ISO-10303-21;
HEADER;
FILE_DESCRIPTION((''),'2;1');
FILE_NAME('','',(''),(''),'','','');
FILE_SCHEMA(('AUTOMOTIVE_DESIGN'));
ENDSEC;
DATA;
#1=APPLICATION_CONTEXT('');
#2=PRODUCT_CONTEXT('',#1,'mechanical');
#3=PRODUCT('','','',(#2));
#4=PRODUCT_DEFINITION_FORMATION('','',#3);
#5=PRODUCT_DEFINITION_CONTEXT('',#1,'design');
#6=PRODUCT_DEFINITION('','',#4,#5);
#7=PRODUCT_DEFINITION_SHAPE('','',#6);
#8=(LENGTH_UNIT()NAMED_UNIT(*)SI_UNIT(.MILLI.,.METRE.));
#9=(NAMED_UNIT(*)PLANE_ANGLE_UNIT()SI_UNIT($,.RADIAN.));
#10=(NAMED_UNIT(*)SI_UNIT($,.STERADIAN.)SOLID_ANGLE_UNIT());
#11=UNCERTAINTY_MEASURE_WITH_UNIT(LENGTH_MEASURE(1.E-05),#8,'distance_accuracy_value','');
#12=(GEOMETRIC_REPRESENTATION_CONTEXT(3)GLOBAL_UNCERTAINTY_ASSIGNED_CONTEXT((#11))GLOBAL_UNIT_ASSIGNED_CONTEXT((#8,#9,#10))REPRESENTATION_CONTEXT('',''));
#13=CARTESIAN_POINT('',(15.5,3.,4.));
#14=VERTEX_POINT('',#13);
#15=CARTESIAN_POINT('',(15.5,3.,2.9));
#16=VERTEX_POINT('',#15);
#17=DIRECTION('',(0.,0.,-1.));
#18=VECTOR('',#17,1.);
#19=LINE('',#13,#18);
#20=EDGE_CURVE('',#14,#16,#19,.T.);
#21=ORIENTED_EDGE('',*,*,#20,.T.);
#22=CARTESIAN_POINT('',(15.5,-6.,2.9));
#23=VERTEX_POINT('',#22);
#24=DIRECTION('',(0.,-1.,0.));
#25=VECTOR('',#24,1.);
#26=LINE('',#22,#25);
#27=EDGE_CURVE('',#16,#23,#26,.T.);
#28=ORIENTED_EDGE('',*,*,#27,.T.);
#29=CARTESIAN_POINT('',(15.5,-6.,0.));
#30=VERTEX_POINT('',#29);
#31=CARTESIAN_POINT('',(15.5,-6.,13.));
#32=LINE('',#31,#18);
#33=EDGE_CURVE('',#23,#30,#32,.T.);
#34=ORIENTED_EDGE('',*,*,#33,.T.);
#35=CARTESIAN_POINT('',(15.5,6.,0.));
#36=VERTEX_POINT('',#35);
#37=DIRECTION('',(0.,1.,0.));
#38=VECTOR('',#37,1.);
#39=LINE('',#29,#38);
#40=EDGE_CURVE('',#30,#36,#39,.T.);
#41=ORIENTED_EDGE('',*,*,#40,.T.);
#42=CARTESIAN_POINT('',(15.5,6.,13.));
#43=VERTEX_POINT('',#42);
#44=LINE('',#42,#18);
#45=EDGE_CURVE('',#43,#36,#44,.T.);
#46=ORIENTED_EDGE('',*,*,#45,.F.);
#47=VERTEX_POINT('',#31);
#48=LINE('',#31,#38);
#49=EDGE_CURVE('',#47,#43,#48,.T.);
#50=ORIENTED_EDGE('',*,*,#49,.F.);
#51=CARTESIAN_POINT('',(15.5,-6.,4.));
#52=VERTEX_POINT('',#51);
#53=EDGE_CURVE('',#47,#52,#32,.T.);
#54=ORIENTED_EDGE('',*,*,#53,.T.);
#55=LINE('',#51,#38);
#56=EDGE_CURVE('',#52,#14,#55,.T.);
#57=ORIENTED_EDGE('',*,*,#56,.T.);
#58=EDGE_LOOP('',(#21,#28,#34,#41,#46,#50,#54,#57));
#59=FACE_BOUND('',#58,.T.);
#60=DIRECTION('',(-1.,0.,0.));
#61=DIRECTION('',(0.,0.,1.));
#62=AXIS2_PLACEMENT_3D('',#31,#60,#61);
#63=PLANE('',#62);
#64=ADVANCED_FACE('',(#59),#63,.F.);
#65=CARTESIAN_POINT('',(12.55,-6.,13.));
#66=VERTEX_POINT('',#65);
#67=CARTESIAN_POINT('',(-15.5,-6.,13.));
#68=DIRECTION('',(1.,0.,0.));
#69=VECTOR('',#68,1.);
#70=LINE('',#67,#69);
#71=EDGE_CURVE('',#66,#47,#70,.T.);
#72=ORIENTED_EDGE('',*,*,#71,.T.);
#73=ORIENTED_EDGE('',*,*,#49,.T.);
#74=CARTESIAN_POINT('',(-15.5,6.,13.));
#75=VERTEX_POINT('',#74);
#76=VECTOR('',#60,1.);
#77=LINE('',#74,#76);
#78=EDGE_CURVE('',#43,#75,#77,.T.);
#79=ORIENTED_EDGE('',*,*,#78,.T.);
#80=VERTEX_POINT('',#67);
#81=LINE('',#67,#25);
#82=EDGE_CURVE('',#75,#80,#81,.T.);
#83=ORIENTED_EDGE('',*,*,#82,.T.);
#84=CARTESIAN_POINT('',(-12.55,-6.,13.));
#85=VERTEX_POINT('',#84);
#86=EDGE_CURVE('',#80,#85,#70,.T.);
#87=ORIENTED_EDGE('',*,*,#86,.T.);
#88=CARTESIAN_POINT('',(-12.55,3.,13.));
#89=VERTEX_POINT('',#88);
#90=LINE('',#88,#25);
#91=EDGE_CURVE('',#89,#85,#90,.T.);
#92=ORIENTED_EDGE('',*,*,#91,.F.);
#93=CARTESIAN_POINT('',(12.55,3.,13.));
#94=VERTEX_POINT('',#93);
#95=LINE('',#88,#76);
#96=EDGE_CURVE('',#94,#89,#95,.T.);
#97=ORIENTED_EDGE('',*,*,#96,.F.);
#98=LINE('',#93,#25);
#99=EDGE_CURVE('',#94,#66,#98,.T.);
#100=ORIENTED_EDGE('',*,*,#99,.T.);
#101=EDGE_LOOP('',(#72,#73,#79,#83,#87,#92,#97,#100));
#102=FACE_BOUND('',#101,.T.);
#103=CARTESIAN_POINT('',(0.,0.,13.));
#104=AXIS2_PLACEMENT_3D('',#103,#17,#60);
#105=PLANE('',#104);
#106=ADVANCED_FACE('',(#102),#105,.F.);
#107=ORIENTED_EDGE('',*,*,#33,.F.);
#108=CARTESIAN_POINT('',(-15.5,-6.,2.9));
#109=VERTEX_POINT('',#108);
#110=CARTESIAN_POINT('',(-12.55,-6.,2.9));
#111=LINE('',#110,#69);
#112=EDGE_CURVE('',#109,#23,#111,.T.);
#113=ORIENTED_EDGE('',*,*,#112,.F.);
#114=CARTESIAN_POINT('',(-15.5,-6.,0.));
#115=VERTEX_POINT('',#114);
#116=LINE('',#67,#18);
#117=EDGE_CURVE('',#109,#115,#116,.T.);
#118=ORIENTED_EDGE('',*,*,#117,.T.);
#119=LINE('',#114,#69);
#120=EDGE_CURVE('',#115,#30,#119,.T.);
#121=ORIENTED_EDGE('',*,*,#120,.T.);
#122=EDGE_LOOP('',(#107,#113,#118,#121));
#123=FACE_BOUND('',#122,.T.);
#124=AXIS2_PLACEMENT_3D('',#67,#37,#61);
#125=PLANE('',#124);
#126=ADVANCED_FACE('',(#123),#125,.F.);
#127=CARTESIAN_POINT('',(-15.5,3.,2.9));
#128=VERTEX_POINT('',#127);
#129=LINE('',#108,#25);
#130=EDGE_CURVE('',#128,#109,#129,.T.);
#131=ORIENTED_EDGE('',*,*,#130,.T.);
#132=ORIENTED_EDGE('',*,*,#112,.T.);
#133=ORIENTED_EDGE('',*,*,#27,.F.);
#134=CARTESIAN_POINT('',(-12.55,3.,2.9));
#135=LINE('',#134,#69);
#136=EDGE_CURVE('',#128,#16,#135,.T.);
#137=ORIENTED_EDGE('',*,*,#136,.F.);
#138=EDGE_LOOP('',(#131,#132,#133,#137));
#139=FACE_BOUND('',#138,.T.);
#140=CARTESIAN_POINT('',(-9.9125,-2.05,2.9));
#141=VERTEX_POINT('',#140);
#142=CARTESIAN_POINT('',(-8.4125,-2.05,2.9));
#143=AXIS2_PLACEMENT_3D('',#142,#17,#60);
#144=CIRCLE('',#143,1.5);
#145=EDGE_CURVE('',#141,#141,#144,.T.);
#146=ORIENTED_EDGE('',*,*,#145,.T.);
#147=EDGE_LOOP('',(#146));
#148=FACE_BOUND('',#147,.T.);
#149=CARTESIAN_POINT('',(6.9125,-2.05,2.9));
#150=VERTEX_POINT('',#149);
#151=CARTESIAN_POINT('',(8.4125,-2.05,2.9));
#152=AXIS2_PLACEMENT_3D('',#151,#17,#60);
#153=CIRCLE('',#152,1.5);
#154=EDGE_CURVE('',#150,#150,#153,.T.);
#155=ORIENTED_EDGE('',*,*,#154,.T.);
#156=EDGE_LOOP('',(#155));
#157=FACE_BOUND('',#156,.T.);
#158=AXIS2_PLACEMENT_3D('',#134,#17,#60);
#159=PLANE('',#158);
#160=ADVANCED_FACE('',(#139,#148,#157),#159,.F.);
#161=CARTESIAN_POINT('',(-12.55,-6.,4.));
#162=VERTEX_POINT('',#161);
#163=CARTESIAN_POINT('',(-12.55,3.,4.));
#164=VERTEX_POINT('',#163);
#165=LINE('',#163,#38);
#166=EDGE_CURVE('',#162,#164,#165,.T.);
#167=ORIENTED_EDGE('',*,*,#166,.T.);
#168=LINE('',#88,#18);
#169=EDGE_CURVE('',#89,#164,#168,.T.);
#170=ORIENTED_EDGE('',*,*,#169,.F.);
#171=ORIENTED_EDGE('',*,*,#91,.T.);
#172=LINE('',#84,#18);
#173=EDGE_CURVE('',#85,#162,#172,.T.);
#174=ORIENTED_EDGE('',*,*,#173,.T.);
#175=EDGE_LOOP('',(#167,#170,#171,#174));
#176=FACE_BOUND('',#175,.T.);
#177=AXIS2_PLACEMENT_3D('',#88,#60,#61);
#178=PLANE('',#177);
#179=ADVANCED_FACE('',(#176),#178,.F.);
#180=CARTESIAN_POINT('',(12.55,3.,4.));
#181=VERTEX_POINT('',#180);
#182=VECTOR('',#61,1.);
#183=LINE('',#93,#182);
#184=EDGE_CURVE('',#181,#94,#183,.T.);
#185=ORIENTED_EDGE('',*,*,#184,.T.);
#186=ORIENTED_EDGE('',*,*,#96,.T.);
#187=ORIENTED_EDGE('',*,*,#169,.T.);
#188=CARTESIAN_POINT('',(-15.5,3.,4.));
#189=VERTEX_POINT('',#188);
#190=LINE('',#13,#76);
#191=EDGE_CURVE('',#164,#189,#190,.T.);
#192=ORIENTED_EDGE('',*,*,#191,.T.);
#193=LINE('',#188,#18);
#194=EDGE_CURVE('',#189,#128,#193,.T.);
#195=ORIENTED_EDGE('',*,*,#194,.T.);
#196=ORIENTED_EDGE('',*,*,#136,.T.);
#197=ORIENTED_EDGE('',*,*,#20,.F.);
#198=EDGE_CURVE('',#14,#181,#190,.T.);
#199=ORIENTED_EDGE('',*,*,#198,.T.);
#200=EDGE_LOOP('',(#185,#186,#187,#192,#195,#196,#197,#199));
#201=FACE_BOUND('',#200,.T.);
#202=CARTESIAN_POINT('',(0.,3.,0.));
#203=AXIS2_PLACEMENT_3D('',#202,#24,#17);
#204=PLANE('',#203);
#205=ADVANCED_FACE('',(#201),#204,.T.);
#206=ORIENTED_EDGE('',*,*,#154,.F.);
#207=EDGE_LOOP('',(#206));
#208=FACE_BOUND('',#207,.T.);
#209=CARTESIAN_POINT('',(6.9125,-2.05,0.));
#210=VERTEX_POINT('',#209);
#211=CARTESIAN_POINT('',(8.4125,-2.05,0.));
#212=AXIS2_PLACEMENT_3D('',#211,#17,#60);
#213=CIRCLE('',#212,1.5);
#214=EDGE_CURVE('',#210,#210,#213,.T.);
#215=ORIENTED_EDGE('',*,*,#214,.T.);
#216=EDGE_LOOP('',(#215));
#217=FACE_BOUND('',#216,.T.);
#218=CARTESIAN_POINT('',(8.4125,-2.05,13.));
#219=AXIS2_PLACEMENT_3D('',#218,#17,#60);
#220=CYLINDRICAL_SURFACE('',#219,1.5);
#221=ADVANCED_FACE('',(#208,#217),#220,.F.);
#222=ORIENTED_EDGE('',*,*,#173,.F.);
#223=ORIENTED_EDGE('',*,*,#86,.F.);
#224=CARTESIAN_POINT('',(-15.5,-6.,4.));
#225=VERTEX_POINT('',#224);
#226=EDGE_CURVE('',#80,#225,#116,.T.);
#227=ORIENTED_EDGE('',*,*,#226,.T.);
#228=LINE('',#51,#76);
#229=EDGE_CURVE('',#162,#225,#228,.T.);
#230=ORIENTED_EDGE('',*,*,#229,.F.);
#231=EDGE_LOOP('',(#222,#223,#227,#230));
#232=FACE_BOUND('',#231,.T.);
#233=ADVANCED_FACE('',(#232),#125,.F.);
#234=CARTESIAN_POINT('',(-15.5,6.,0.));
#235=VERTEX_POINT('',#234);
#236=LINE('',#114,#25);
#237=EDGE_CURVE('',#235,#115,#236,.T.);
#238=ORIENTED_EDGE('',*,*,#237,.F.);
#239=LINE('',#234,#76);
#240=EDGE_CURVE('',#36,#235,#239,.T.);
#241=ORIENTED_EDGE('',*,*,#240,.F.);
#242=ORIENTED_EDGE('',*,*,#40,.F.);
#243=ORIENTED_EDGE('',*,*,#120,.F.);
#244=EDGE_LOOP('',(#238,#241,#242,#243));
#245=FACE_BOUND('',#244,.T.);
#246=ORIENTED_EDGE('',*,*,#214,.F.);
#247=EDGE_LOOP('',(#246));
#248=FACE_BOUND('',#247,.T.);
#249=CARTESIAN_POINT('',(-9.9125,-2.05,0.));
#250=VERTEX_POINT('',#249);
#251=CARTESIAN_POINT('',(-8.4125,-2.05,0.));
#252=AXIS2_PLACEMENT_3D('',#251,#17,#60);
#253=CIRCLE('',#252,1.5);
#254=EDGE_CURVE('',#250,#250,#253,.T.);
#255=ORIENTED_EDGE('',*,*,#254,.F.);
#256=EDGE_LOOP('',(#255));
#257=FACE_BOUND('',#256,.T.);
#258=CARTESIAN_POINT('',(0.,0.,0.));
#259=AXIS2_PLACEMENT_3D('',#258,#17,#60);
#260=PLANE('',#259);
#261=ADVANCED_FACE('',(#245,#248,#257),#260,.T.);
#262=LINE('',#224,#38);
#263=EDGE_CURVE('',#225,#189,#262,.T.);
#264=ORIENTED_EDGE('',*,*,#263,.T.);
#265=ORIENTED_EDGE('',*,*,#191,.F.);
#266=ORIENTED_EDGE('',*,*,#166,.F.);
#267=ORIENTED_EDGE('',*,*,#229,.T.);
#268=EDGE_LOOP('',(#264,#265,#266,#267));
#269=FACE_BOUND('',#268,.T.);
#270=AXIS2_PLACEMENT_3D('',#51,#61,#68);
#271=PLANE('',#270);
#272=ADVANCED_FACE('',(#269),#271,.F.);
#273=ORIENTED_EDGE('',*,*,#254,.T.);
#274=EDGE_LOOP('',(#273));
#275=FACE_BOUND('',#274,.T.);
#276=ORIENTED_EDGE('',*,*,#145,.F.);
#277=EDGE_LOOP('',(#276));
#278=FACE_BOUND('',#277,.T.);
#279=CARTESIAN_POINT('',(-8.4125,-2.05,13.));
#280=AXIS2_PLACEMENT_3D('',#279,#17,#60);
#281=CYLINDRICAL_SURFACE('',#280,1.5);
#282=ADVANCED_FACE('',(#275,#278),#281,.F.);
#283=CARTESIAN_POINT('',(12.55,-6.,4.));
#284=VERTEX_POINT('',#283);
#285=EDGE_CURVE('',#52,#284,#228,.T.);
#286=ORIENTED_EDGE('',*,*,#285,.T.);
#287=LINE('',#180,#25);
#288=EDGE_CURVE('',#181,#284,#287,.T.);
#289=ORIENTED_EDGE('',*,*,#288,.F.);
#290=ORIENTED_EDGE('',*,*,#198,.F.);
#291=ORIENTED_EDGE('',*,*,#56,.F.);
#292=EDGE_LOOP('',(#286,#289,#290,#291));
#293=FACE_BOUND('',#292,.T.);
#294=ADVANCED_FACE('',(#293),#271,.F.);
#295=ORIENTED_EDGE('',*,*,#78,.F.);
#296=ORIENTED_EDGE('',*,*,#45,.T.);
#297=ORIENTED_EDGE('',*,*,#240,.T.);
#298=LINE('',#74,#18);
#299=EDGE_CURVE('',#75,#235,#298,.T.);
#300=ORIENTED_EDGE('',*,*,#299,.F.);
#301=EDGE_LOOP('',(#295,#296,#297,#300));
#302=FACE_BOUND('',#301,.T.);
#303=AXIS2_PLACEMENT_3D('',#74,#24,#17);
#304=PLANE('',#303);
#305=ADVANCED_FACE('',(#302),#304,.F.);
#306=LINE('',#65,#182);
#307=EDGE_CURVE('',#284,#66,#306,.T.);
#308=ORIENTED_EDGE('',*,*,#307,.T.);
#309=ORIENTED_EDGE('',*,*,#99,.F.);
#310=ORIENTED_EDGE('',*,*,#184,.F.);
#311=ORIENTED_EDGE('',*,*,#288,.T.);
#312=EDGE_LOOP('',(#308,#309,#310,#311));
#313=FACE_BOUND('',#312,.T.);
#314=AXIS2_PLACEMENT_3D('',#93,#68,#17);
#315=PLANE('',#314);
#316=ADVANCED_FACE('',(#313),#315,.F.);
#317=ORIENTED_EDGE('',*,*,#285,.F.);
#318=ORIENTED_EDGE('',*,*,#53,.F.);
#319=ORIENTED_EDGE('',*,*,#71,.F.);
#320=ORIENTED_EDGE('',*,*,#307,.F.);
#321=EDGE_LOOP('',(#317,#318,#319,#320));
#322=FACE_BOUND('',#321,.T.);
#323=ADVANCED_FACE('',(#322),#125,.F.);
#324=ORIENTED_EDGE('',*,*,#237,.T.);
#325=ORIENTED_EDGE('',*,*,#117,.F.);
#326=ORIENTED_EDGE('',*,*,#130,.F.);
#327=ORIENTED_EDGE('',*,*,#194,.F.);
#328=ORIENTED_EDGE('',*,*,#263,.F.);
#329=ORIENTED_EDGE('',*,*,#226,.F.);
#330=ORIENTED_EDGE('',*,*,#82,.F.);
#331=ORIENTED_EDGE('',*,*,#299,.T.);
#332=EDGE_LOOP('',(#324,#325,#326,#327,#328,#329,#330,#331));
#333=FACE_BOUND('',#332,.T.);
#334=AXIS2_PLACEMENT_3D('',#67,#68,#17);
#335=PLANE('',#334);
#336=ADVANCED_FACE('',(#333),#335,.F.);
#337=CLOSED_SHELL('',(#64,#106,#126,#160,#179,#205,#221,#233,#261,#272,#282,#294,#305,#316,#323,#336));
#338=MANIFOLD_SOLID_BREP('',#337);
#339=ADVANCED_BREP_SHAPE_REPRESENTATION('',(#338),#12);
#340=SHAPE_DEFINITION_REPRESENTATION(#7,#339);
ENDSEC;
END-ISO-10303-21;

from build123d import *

# Parameters (mm, degrees)
CROQUIS2_W              = 31
CROQUIS2_H              = 12
SALIENTE_EXTRUIR1_DEPTH = 13
CROQUIS3_W              = 25.1
CROQUIS3_H              = 10.1
CORTAR_EXTRUIR1_DEPTH   = 9
CROQUIS6_W              = 1.1
CROQUIS6_H              = 9
CORTAR_EXTRUIR3_DEPTH   = 32
CROQUIS7_R              = 1.5
CORTAR_EXTRUIR4_DEPTH   = 14


with BuildPart() as part:
    # Croquis2 → Saliente-Extruir1 (new body)
    with BuildSketch(Plane.XY):
        Rectangle(CROQUIS2_W, CROQUIS2_H)
    extrude(amount=SALIENTE_EXTRUIR1_DEPTH)

    # Croquis3 → Cortar-Extruir1 (cut)
    with BuildSketch(Plane.XZ.offset(6)):
        with Locations((0, 7.95)):
            Rectangle(CROQUIS3_W, CROQUIS3_H)
    extrude(amount=-CORTAR_EXTRUIR1_DEPTH, mode=Mode.SUBTRACT)

    # Croquis6 → Cortar-Extruir3 (cut, through all)
    with BuildSketch(Plane.ZY.offset(15.5)):
        with Locations((3.45, -1.5)):
            Rectangle(CROQUIS6_W, CROQUIS6_H)
    extrude(amount=-CORTAR_EXTRUIR3_DEPTH, mode=Mode.SUBTRACT)

    # Croquis7 → Cortar-Extruir4 (cut, through all)
    with BuildSketch(Plane(origin=(0, 0, 0), x_dir=(-1, 0, 0), z_dir=(0, 0, -1))):
        with Locations((-8.4125, -2.05)):
            Circle(CROQUIS7_R)
        with Locations((8.4125, -2.05)):
            Circle(CROQUIS7_R)
    extrude(amount=-CORTAR_EXTRUIR4_DEPTH, mode=Mode.SUBTRACT)


solid = part.part
